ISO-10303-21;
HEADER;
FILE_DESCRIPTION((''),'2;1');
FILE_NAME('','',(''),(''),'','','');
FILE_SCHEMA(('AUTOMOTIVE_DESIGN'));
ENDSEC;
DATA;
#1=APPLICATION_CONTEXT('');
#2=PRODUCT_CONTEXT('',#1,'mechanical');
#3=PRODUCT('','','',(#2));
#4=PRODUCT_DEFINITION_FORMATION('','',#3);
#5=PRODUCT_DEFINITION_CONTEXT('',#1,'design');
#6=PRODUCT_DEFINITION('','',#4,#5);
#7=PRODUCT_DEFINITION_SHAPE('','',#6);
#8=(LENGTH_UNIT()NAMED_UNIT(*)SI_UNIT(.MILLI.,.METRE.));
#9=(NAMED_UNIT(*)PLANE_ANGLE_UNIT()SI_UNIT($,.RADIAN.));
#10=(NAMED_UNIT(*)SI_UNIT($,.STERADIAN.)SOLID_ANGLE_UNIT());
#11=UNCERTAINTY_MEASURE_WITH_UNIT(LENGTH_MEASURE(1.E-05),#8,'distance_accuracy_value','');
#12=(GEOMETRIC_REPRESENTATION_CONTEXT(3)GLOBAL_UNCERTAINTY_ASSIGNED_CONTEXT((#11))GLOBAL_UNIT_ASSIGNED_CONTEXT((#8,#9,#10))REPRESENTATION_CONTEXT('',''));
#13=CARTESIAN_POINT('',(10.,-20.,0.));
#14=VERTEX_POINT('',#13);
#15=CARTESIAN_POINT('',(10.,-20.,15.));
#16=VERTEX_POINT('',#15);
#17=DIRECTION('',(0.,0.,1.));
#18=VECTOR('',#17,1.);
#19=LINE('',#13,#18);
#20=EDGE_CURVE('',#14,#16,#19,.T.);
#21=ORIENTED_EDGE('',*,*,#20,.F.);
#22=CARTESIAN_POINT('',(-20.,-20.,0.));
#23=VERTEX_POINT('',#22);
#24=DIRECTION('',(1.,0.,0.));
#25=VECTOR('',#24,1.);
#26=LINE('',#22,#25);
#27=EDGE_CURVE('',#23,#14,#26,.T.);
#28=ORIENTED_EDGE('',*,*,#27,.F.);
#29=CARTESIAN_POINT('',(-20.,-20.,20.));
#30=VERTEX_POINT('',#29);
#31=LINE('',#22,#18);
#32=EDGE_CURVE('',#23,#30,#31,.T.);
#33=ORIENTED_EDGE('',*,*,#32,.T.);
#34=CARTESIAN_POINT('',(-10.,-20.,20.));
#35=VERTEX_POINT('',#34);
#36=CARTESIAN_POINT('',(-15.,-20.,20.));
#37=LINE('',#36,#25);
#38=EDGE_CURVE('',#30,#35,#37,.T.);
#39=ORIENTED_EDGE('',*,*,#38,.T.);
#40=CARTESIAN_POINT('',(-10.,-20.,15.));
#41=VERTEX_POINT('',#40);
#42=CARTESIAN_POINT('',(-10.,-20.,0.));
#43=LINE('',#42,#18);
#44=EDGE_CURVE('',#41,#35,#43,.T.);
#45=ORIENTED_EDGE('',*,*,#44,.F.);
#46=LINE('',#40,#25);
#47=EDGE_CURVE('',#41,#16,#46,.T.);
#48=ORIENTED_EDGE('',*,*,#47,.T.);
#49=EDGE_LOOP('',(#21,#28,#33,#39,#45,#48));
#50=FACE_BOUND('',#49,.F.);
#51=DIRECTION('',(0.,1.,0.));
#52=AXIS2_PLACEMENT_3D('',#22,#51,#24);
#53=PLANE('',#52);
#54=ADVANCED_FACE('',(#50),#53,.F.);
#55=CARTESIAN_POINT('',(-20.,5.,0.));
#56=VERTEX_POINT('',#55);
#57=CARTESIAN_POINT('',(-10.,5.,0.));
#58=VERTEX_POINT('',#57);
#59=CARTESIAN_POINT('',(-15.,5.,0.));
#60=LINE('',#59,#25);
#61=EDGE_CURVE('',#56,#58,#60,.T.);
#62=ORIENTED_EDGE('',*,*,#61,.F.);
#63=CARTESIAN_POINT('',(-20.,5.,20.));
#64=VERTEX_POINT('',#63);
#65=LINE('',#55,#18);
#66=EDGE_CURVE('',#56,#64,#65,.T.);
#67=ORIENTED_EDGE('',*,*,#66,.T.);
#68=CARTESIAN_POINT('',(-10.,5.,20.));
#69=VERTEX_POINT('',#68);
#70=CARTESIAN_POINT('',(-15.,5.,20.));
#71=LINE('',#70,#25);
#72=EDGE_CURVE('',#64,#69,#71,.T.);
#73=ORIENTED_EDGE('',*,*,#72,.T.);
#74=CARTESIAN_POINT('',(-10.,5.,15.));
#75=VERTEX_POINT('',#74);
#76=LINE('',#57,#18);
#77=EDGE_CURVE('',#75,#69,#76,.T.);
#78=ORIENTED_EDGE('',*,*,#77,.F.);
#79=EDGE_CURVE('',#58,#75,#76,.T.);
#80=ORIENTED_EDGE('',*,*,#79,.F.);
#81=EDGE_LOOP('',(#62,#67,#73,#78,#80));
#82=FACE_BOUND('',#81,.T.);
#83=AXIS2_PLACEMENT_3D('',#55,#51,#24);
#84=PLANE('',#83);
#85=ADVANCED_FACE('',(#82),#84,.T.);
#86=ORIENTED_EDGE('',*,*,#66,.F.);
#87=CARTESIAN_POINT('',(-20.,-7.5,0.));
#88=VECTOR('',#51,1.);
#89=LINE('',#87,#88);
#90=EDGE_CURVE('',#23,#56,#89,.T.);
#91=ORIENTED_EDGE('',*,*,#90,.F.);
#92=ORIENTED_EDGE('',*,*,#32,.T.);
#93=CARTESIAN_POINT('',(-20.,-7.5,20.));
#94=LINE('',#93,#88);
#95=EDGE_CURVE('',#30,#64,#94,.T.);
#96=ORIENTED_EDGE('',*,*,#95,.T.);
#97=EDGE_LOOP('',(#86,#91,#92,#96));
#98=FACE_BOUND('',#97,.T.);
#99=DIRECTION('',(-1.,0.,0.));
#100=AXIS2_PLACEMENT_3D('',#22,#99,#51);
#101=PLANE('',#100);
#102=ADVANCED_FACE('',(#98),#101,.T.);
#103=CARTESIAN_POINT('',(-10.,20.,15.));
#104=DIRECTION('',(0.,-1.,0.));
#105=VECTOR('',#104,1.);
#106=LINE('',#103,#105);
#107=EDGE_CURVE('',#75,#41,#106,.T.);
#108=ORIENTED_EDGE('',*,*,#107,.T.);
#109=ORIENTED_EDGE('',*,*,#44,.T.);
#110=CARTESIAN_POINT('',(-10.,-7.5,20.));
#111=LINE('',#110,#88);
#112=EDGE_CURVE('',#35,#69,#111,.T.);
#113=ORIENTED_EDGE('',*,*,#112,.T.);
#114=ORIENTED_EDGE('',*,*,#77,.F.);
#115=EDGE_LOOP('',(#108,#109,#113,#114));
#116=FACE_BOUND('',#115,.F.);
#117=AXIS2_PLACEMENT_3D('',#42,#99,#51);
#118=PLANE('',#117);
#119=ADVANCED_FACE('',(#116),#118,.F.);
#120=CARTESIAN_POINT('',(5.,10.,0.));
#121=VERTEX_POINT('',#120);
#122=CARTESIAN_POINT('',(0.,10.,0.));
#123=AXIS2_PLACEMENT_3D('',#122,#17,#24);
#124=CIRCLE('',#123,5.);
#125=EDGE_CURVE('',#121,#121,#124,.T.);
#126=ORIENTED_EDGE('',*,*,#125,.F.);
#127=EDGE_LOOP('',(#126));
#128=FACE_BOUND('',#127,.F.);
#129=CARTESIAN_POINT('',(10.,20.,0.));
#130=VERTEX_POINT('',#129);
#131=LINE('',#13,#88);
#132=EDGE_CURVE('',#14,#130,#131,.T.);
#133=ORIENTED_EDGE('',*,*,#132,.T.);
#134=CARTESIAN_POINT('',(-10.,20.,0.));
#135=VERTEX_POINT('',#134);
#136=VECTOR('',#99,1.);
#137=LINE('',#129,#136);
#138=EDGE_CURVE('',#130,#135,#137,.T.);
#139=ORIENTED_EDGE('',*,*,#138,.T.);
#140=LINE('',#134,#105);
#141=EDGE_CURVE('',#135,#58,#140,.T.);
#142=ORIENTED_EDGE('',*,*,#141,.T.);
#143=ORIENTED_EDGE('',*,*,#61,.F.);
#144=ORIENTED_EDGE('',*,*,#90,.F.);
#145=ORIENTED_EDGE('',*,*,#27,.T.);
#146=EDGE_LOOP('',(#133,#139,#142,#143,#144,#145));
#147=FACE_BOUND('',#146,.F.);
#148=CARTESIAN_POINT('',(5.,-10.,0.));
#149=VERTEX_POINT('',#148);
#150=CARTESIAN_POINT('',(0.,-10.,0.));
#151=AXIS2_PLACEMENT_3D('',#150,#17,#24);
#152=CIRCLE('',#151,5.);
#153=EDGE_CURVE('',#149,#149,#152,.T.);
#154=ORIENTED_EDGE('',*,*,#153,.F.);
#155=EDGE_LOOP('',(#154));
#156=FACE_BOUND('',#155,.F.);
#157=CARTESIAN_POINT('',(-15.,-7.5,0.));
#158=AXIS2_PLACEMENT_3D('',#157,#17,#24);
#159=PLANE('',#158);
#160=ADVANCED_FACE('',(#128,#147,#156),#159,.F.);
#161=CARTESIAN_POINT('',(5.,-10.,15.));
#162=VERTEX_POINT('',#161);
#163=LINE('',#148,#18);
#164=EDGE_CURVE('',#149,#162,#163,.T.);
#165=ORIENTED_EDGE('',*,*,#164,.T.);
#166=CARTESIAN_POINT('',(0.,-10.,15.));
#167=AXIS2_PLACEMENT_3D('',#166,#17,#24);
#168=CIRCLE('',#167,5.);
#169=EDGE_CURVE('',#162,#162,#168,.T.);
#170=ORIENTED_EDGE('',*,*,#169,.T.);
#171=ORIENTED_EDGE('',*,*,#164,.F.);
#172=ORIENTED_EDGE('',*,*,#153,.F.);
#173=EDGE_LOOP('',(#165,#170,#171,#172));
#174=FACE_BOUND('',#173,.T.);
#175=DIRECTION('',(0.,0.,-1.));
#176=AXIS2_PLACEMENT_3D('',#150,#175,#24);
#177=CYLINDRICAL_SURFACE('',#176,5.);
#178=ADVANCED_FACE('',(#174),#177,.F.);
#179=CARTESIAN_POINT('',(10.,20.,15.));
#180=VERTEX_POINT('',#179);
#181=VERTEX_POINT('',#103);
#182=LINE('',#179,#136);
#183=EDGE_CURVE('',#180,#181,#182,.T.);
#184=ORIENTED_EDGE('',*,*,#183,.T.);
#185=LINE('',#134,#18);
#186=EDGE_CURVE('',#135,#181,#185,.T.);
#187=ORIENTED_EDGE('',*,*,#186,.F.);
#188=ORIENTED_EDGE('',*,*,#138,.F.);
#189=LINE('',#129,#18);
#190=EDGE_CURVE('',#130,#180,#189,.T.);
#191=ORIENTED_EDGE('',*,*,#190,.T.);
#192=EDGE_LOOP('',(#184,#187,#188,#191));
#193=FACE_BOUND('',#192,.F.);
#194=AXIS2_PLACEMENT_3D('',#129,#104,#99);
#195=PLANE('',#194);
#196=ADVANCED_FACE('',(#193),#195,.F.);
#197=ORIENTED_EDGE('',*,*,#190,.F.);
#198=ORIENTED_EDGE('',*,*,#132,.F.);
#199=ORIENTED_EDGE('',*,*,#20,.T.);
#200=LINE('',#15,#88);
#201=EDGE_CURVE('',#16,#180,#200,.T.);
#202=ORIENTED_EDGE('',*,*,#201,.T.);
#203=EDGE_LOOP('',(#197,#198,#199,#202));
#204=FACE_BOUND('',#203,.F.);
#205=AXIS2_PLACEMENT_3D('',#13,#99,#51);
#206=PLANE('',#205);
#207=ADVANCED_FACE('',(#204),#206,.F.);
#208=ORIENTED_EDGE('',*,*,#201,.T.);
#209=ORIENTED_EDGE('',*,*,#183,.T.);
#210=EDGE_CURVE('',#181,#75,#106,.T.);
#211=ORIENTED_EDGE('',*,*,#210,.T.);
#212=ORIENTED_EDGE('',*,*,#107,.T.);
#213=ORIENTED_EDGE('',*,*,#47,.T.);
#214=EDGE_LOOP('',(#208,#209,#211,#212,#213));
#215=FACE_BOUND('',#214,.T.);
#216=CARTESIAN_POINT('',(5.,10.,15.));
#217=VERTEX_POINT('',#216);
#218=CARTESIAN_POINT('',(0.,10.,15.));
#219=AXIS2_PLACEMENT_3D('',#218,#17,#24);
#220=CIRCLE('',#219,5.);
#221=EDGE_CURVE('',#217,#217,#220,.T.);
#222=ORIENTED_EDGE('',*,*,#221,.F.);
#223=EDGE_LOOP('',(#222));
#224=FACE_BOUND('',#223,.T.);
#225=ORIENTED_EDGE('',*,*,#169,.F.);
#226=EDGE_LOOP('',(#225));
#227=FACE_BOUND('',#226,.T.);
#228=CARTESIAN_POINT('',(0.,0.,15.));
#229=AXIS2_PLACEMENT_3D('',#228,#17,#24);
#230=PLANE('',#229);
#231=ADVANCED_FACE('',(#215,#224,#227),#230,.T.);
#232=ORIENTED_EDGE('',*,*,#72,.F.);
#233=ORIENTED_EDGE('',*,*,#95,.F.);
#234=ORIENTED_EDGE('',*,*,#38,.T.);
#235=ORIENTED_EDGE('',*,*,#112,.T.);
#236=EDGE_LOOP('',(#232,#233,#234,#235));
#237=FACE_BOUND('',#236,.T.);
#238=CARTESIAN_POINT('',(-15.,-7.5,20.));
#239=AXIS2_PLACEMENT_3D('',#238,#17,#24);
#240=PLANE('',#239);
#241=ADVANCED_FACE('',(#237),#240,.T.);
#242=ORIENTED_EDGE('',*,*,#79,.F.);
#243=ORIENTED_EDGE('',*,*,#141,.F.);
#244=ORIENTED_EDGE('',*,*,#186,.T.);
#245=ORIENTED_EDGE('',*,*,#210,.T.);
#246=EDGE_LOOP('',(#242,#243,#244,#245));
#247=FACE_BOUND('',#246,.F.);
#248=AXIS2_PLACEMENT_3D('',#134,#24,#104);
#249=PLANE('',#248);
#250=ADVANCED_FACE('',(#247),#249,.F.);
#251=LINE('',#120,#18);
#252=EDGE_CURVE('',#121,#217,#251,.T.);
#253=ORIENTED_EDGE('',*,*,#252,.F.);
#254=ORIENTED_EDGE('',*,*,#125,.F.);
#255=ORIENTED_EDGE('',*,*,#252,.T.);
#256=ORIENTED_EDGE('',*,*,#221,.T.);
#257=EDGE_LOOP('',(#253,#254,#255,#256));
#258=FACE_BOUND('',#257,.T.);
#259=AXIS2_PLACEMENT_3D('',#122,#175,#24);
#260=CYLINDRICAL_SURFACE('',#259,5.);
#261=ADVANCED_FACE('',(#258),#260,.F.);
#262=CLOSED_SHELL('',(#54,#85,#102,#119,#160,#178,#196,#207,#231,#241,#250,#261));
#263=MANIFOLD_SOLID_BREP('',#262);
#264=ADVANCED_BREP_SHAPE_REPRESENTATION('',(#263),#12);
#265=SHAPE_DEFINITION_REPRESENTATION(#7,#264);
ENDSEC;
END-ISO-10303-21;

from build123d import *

# Parameters (mm, degrees)
F0_R     = 5
F1_DEPTH = 15
F0_W     = 10
F0_H     = 25
F2_DEPTH = 20


with BuildPart() as f1:
    # F0 (on Top) → F1 (new body)
    with BuildSketch(Plane.XY):
        Polygon((-10, 5), (-10, -20), (10, -20), (10, 20), (-10, 20), align=None)
        with Locations((0, -10)):
            Circle(F0_R, mode=Mode.SUBTRACT)
        with Locations((0, 10)):
            Circle(F0_R, mode=Mode.SUBTRACT)
    extrude(amount=F1_DEPTH)

    # F0 (on Top) → F2 (join)
    with BuildSketch(Plane.XY):
        with Locations((-15, -7.5)):
            Rectangle(F0_W, F0_H)
    extrude(amount=F2_DEPTH)


solid = f1.part
